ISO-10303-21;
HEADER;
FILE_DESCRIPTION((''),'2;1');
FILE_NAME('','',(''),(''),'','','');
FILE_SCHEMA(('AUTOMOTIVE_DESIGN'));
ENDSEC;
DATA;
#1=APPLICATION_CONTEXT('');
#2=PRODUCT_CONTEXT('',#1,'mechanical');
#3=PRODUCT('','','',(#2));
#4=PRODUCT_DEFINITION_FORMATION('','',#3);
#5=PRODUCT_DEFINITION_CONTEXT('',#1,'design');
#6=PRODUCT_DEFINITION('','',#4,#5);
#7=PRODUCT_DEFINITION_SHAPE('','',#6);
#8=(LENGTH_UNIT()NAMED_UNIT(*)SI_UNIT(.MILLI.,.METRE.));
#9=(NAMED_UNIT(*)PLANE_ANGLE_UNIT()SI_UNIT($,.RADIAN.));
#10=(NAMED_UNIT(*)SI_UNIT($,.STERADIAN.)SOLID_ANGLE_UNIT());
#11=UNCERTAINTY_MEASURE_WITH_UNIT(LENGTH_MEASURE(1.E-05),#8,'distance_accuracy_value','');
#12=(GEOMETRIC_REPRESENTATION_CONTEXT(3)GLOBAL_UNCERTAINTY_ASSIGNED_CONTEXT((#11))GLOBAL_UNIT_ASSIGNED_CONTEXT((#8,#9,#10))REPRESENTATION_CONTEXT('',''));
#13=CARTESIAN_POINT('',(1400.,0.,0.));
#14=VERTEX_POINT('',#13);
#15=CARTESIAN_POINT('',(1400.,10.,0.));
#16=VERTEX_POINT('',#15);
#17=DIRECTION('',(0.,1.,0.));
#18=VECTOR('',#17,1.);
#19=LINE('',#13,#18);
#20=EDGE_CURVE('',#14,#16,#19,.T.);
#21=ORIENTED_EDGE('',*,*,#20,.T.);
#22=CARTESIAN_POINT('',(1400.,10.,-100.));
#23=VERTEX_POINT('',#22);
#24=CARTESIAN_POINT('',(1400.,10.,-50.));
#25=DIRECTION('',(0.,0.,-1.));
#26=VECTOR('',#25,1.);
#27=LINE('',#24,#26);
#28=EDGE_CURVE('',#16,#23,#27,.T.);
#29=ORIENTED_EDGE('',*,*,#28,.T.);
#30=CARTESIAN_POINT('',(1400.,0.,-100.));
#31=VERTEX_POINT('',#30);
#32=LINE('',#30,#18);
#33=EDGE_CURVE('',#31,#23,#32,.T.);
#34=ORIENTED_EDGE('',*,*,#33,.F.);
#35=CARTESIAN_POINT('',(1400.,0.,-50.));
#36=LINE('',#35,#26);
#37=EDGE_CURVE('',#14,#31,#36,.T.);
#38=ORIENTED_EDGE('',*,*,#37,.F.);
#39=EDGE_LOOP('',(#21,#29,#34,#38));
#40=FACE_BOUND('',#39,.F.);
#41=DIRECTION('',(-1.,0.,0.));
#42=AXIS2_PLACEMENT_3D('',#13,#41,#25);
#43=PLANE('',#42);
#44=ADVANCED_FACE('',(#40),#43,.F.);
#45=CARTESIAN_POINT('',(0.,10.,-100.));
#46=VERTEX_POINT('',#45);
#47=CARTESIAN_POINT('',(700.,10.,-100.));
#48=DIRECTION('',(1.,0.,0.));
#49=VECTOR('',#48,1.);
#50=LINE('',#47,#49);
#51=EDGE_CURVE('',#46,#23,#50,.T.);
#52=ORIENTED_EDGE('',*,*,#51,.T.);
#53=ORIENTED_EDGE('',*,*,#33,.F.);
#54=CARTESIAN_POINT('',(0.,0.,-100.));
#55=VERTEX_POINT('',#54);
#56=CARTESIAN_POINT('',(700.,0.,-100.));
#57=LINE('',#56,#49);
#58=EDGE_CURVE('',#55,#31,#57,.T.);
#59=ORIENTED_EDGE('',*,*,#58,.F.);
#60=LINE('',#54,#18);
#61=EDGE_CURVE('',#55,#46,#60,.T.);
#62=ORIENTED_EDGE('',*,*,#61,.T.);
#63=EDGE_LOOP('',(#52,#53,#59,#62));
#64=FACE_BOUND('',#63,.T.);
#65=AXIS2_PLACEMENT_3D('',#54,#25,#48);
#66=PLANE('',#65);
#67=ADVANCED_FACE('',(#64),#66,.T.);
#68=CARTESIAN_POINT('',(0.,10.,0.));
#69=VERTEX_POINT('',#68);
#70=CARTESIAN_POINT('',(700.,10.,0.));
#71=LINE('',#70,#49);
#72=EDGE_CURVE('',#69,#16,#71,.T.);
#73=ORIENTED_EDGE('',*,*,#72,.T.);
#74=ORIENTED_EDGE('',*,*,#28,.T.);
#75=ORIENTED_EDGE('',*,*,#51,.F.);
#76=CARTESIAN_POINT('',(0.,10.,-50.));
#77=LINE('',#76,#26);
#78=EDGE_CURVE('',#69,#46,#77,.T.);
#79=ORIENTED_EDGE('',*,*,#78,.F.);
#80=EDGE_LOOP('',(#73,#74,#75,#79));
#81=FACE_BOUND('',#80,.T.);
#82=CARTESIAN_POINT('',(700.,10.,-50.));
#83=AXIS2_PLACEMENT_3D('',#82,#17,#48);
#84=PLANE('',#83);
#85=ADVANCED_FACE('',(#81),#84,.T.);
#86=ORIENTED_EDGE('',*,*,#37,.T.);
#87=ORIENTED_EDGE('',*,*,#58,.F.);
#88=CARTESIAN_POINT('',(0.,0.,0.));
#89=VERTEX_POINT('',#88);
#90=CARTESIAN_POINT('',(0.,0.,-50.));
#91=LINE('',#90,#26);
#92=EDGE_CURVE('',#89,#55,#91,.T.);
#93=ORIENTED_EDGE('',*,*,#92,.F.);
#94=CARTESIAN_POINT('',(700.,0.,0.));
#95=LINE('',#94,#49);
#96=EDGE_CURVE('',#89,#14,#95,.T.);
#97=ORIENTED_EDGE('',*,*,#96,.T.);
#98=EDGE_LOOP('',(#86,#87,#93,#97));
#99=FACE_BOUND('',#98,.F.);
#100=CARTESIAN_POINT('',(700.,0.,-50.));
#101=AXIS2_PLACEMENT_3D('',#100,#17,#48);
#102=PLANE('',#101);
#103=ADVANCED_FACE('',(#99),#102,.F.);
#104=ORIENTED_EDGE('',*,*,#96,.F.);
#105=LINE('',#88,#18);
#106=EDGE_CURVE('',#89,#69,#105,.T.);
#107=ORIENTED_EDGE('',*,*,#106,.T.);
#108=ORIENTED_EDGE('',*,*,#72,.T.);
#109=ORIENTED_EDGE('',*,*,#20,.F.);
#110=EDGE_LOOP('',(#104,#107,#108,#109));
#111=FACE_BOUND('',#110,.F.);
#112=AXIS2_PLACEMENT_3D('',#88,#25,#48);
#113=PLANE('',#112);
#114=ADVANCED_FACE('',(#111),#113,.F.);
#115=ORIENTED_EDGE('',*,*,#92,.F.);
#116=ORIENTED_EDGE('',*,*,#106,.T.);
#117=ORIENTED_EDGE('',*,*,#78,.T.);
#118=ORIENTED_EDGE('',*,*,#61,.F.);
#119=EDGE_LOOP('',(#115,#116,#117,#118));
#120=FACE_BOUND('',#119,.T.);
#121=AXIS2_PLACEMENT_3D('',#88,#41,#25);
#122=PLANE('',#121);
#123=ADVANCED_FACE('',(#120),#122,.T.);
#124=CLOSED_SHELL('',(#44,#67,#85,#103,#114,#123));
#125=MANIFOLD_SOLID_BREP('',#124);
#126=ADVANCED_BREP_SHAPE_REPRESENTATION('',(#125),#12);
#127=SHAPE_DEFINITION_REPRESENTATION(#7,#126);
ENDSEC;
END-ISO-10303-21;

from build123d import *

# Parameters (mm, degrees)
ESQUISSE1_W      = 1400
ESQUISSE1_H      = 100
EXTRUSION1_DEPTH = 10


with BuildPart() as part:
    # Esquisse1 → Extrusion1 (new body)
    with BuildSketch(Plane(origin=(0, 0, 0), x_dir=(1, 0, 0), z_dir=(0, 1, 0))):
        with Locations((700, 50)):
            Rectangle(ESQUISSE1_W, ESQUISSE1_H)
    extrude(amount=EXTRUSION1_DEPTH)


solid = part.part
